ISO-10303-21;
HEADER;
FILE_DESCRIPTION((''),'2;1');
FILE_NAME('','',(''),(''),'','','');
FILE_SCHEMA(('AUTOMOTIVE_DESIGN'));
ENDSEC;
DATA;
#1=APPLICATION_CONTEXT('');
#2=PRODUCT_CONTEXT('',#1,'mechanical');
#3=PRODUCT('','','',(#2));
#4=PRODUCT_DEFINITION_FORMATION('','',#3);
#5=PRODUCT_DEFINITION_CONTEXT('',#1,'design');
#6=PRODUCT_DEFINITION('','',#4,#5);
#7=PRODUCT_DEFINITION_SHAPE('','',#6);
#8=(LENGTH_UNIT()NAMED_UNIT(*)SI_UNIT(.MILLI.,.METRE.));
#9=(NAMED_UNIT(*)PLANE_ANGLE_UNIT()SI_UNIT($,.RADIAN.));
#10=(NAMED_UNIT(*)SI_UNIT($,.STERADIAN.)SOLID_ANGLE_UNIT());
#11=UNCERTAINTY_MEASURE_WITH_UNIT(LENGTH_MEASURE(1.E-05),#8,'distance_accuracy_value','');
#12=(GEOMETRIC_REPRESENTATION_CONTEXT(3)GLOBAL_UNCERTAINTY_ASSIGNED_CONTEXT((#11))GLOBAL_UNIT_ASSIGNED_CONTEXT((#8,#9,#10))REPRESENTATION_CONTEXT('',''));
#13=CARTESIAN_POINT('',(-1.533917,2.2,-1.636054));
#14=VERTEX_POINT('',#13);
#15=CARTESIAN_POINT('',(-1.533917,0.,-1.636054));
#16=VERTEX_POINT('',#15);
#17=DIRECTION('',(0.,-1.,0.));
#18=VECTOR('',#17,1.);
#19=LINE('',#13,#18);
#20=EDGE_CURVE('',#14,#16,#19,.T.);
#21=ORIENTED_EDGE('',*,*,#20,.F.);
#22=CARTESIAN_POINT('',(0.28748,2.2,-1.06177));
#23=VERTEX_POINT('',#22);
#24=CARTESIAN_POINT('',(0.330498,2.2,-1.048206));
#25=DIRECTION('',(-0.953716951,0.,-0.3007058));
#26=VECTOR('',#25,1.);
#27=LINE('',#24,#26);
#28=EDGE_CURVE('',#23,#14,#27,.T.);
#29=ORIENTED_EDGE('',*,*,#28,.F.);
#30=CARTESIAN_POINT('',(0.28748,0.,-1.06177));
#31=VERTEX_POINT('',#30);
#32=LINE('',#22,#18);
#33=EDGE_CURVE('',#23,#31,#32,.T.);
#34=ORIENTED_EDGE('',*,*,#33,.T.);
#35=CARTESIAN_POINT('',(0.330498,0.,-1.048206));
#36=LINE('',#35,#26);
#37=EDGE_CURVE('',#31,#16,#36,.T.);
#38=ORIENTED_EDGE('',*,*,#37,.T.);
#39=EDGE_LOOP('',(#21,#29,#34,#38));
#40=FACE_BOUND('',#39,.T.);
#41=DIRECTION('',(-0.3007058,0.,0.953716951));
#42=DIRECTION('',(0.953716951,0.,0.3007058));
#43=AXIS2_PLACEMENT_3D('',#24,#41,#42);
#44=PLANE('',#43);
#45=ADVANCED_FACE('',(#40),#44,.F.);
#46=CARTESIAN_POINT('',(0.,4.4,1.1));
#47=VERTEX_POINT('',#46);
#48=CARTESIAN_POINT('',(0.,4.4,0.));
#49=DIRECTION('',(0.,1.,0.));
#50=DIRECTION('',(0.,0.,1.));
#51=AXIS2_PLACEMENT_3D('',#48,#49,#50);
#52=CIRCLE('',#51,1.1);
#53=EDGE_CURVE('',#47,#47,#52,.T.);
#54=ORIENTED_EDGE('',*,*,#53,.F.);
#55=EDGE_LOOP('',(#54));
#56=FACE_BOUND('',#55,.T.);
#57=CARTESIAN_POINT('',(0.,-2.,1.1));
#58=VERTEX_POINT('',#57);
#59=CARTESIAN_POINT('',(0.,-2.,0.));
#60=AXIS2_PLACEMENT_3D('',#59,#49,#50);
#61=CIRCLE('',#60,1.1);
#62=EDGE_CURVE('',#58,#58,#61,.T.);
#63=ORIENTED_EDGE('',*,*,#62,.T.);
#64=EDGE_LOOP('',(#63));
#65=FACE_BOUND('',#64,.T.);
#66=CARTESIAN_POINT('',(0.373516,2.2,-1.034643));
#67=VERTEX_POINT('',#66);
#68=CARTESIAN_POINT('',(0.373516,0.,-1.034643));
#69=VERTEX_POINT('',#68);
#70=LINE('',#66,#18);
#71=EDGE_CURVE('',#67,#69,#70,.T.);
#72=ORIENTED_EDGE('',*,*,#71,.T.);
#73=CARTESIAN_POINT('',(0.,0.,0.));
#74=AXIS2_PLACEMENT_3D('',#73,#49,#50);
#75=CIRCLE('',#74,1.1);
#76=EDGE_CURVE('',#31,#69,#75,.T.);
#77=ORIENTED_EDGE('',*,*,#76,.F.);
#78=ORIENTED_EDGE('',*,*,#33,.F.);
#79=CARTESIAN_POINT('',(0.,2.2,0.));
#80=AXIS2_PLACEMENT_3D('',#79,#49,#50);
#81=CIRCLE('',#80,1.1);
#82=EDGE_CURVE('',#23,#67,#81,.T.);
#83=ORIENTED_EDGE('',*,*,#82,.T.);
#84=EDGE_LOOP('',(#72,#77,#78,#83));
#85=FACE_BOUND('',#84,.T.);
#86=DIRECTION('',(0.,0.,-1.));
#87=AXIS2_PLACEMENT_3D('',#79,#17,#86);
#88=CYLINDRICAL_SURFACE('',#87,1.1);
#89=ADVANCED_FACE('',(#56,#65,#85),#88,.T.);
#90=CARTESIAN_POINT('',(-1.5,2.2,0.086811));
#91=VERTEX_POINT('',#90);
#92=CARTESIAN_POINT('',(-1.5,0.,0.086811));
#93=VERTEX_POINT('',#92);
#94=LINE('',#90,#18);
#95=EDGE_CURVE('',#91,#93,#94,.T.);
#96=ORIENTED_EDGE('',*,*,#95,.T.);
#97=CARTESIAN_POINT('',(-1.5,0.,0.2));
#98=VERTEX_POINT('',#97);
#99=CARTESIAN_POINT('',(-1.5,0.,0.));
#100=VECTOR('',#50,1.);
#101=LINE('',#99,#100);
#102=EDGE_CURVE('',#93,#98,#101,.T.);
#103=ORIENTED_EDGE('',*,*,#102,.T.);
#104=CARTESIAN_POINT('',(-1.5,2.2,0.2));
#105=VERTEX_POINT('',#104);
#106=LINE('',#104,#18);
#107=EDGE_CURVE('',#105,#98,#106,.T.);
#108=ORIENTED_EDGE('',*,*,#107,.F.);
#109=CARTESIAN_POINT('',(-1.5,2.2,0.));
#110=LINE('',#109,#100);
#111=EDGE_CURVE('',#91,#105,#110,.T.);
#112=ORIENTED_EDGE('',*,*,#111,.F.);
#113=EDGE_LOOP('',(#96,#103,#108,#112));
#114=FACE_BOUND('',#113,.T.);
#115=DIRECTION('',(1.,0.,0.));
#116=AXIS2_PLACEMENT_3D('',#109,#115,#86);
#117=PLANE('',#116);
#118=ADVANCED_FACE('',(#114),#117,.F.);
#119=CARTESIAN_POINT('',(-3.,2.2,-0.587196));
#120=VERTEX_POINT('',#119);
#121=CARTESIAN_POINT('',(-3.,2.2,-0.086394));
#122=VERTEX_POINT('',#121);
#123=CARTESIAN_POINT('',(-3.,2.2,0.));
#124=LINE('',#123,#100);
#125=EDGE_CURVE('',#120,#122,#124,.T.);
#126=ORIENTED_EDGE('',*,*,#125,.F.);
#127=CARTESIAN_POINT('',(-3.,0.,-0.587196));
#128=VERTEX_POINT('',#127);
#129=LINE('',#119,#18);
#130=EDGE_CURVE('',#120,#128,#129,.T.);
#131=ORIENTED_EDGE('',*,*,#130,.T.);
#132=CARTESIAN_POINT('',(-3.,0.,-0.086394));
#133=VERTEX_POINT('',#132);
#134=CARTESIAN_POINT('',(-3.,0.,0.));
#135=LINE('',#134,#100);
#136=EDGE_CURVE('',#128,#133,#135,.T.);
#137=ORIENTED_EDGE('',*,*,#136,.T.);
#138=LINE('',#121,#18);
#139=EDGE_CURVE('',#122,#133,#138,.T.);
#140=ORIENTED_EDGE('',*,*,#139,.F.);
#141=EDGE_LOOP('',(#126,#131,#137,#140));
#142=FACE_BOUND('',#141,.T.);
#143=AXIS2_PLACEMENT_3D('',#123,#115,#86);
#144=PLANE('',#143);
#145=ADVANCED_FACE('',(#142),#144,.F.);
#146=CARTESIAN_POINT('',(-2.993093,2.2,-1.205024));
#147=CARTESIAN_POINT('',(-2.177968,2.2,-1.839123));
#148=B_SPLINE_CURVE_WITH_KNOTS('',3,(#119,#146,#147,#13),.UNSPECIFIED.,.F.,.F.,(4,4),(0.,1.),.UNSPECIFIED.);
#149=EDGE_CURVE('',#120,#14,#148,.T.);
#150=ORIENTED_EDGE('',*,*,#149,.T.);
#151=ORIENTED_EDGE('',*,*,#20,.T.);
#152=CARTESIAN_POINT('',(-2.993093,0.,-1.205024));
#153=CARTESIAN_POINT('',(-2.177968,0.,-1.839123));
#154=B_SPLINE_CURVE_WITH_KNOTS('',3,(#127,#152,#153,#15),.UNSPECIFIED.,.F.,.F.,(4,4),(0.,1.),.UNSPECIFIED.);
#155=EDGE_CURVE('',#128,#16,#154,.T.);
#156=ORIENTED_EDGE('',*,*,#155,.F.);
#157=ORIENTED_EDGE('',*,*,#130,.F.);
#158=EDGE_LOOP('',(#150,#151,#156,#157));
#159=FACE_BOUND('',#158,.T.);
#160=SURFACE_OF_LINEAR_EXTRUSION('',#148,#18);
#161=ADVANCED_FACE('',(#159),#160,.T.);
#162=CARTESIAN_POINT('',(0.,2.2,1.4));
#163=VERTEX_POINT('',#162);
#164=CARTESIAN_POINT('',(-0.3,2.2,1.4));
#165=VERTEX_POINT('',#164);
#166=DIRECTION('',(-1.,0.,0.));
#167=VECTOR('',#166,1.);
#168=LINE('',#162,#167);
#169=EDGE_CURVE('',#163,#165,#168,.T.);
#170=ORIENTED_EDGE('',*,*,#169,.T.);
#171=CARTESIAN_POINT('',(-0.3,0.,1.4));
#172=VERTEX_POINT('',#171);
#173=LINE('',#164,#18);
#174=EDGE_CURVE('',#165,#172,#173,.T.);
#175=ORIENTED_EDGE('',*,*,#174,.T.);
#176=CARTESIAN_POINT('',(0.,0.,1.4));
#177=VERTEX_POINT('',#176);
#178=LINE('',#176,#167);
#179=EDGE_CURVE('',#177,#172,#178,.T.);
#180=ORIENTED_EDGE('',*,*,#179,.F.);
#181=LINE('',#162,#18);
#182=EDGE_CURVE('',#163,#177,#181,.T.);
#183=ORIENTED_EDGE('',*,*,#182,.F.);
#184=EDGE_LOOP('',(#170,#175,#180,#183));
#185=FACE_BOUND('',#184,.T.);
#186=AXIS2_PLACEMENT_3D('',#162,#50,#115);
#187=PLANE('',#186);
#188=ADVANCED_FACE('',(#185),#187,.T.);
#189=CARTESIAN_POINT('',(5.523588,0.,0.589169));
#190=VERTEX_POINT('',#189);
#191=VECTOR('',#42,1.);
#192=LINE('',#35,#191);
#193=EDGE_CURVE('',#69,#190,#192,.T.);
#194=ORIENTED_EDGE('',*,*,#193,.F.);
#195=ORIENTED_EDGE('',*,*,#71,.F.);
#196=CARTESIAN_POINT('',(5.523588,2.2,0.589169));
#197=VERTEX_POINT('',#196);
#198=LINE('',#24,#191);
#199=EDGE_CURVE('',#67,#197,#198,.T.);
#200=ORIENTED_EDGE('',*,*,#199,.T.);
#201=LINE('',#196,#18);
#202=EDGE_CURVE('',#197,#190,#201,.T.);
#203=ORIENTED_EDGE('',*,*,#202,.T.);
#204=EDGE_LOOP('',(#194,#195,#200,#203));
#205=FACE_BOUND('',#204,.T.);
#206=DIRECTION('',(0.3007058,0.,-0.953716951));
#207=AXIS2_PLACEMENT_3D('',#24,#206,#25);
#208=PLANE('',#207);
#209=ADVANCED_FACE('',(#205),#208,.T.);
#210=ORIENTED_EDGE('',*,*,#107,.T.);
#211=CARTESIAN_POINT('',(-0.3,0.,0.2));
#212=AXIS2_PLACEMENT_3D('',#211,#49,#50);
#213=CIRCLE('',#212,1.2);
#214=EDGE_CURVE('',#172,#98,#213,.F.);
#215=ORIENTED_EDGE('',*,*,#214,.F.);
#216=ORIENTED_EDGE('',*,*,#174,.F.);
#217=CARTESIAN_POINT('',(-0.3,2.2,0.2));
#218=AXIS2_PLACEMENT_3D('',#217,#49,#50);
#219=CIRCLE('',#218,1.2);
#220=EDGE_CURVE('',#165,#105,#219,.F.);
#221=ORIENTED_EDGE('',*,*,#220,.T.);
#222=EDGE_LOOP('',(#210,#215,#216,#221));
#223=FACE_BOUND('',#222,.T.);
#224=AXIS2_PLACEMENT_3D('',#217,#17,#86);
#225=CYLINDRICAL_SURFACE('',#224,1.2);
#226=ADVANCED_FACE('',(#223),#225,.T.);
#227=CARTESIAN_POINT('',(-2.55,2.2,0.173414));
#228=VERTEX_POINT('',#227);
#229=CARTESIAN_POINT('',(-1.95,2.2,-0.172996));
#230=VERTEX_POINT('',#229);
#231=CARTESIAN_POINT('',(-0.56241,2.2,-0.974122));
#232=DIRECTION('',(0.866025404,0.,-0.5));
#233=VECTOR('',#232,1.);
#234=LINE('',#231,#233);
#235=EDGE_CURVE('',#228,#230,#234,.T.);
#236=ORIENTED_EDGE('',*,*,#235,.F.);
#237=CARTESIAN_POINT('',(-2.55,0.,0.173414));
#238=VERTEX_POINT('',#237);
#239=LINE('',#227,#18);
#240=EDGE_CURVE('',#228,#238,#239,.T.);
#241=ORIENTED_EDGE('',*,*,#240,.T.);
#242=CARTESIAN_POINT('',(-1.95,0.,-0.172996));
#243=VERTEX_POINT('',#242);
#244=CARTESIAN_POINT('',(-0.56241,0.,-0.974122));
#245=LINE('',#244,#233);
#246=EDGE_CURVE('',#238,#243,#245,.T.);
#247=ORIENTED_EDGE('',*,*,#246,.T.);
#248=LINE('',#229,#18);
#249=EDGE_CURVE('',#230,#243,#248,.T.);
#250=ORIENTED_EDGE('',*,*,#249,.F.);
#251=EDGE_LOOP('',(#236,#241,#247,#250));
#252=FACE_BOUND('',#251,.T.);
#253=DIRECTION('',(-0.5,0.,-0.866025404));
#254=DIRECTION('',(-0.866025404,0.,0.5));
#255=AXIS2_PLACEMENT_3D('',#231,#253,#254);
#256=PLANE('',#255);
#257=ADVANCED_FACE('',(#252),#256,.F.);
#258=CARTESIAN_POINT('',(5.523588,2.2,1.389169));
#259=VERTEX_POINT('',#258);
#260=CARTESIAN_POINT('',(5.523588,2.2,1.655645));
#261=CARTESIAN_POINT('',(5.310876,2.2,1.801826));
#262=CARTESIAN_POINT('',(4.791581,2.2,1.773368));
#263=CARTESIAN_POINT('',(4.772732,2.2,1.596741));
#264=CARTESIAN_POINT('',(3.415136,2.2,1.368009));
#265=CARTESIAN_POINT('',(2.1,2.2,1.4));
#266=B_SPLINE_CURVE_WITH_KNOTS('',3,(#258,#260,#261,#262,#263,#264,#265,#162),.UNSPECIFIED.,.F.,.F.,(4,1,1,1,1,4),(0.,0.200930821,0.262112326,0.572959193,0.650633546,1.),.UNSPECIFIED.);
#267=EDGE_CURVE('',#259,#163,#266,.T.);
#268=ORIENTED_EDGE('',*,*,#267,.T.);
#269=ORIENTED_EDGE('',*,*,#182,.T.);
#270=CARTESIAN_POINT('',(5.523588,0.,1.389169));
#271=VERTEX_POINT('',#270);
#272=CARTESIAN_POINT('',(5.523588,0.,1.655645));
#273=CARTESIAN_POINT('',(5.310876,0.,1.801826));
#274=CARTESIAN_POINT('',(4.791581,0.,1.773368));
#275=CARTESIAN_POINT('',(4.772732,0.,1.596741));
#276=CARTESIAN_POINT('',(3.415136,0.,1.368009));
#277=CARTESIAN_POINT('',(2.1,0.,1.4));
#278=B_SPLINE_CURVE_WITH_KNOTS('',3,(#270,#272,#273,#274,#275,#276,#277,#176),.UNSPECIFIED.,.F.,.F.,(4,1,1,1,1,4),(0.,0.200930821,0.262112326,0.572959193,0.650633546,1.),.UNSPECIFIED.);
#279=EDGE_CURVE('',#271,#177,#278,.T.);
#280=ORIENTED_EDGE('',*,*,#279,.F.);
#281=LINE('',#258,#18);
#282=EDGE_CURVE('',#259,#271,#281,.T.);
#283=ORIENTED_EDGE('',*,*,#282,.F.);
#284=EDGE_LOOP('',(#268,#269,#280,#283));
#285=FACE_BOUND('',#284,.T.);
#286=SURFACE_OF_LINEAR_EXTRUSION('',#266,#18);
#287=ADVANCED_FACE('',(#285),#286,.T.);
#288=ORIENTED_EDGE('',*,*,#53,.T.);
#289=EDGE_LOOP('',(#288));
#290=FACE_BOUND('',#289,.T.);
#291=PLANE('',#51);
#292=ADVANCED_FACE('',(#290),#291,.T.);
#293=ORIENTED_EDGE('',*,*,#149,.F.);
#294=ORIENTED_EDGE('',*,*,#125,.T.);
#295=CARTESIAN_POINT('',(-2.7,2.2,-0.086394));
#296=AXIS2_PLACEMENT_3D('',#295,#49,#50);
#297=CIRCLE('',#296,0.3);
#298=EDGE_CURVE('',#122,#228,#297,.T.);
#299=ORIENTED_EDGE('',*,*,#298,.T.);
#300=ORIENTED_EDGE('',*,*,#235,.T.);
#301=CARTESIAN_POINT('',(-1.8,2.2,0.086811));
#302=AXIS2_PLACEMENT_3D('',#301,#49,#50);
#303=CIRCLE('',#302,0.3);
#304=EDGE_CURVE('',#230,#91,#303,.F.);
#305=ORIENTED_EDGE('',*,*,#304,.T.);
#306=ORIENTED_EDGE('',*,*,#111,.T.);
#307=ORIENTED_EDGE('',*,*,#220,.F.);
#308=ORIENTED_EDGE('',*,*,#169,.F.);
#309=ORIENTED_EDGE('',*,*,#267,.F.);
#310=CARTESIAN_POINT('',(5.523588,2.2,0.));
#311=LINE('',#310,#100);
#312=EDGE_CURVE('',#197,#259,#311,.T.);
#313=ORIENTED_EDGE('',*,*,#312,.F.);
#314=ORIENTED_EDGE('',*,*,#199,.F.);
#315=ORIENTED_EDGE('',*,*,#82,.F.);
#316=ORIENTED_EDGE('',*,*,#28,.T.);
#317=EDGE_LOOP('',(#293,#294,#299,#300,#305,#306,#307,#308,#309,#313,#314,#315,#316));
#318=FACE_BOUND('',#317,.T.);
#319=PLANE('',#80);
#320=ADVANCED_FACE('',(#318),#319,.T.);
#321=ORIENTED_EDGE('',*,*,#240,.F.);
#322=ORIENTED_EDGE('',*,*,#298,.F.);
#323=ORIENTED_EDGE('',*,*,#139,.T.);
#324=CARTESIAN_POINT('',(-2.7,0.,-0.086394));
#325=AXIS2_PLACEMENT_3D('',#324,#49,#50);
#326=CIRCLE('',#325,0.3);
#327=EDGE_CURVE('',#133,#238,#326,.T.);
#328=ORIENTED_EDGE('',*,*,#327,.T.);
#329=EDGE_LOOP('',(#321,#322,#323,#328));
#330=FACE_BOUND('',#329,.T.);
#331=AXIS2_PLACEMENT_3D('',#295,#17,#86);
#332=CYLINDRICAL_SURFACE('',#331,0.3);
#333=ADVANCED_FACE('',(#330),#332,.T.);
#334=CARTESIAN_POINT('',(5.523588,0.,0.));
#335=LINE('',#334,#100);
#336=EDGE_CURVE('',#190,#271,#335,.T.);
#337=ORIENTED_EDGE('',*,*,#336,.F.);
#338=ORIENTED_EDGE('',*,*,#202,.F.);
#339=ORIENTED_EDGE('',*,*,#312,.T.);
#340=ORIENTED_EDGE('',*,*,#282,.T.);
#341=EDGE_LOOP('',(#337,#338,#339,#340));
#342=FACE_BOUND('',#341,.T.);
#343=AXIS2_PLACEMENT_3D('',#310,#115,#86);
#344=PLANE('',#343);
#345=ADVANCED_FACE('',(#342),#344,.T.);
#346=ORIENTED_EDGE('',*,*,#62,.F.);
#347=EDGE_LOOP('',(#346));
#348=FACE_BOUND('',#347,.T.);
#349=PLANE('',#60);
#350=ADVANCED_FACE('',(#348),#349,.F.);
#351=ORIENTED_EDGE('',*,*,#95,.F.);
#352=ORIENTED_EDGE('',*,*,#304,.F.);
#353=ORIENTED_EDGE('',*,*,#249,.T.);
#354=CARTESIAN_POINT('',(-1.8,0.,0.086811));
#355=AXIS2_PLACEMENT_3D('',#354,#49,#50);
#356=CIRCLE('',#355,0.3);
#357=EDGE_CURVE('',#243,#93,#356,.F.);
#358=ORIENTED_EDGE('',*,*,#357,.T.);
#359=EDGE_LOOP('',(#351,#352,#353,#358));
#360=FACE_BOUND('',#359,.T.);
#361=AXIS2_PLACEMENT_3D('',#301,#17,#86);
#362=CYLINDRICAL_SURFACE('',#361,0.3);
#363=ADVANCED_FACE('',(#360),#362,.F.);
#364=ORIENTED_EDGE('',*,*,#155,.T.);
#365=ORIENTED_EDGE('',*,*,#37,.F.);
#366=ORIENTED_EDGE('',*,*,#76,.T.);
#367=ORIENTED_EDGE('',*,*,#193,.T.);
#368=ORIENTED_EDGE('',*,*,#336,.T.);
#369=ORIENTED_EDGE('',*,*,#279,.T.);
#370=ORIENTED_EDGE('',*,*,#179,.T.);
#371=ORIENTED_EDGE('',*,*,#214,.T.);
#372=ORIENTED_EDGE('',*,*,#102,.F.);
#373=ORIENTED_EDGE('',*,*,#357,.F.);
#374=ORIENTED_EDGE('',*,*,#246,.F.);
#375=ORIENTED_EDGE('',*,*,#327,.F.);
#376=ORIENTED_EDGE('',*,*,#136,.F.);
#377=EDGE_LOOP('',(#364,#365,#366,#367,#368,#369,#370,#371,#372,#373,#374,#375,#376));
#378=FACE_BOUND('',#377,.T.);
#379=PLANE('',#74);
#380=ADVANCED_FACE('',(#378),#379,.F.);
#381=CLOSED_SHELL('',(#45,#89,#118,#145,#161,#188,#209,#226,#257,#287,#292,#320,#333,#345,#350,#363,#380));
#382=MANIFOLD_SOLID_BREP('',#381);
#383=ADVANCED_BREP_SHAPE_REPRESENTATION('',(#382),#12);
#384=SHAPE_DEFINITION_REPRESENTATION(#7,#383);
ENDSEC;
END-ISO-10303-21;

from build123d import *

# Parameters (mm, degrees)
BOSS_EXTRUDE1_DEPTH      = 2.2
BOSS_EXTRUDE2_DEPTH      = 4.4
BOSS_EXTRUDE2_DEPTH_BACK = 2
SKETCH1_3_R              = 1.1


with BuildPart() as part:
    # Sketch1 → Boss-Extrude1 (new body)
    with BuildSketch(Plane(origin=(0, 0, 0), x_dir=(1, 0, 0), z_dir=(0, 1, 0))):
        with BuildLine():
            Line((5.523587939, -1.389168628), (5.523587939, -0.589168628))
            Line((5.523587939, -0.589168628), (0.373516405, 1.03464269))
            ThreePointArc((0.373516405, 1.03464269), (0.330776379, 1.049088646), (0.28747994, 1.061769883))
            Line((0.28747994, 1.061769883), (-1.533917496, 1.636054289))
            add(Edge.make_bspline(
                [(-3, 0.587196294), (-2.993093164, 1.205023593), (-2.177968287, 1.839122723), (-1.533917496, 1.636054289)],
                knots=[0, 0, 0, 0, 1, 1, 1, 1], degree=3))
            Line((-3, 0.587196294), (-3, 0.08639369))
            ThreePointArc((-3, 0.08639369), (-2.85, -0.173413931), (-2.55, -0.173413931))
            Line((-2.55, -0.173413931), (-1.95, 0.17299623))
            ThreePointArc((-1.95, 0.17299623), (-1.65, 0.17299623), (-1.5, -0.086811391))
            Line((-1.5, -0.086811391), (-1.5, -0.2))
            ThreePointArc((-1.5, -0.2), (-1.148528137, -1.048528137), (-0.3, -1.4))
            Line((-0.3, -1.4), (0, -1.4))
            add(Edge.make_bspline(
                [(5.523587939, -1.389168628), (5.523587939, -1.655644582), (5.31087633, -1.80182616), (4.791580785, -1.773367747), (4.77273176, -1.59674075), (3.415135688, -1.368008507), (2.1, -1.4), (0, -1.4)],
                knots=[0, 0, 0, 0, 0.200930821, 0.262112326, 0.572959193, 0.650633546, 1, 1, 1, 1], degree=3))
        make_face()
    extrude(amount=BOSS_EXTRUDE1_DEPTH)

    # Sketch1<3> → Boss-Extrude2 (add, two sides: drawn at the far end of the back side and taken through both)
    with BuildSketch(Plane(origin=(0, 0, 0), x_dir=(1, 0, 0), z_dir=(0, 1, 0)).offset(-BOSS_EXTRUDE2_DEPTH_BACK)):
        with Locations(Location((0, 0, 0), (0, 0, 270))):
            Circle(SKETCH1_3_R)
    extrude(amount=BOSS_EXTRUDE2_DEPTH + BOSS_EXTRUDE2_DEPTH_BACK)


solid = part.part
